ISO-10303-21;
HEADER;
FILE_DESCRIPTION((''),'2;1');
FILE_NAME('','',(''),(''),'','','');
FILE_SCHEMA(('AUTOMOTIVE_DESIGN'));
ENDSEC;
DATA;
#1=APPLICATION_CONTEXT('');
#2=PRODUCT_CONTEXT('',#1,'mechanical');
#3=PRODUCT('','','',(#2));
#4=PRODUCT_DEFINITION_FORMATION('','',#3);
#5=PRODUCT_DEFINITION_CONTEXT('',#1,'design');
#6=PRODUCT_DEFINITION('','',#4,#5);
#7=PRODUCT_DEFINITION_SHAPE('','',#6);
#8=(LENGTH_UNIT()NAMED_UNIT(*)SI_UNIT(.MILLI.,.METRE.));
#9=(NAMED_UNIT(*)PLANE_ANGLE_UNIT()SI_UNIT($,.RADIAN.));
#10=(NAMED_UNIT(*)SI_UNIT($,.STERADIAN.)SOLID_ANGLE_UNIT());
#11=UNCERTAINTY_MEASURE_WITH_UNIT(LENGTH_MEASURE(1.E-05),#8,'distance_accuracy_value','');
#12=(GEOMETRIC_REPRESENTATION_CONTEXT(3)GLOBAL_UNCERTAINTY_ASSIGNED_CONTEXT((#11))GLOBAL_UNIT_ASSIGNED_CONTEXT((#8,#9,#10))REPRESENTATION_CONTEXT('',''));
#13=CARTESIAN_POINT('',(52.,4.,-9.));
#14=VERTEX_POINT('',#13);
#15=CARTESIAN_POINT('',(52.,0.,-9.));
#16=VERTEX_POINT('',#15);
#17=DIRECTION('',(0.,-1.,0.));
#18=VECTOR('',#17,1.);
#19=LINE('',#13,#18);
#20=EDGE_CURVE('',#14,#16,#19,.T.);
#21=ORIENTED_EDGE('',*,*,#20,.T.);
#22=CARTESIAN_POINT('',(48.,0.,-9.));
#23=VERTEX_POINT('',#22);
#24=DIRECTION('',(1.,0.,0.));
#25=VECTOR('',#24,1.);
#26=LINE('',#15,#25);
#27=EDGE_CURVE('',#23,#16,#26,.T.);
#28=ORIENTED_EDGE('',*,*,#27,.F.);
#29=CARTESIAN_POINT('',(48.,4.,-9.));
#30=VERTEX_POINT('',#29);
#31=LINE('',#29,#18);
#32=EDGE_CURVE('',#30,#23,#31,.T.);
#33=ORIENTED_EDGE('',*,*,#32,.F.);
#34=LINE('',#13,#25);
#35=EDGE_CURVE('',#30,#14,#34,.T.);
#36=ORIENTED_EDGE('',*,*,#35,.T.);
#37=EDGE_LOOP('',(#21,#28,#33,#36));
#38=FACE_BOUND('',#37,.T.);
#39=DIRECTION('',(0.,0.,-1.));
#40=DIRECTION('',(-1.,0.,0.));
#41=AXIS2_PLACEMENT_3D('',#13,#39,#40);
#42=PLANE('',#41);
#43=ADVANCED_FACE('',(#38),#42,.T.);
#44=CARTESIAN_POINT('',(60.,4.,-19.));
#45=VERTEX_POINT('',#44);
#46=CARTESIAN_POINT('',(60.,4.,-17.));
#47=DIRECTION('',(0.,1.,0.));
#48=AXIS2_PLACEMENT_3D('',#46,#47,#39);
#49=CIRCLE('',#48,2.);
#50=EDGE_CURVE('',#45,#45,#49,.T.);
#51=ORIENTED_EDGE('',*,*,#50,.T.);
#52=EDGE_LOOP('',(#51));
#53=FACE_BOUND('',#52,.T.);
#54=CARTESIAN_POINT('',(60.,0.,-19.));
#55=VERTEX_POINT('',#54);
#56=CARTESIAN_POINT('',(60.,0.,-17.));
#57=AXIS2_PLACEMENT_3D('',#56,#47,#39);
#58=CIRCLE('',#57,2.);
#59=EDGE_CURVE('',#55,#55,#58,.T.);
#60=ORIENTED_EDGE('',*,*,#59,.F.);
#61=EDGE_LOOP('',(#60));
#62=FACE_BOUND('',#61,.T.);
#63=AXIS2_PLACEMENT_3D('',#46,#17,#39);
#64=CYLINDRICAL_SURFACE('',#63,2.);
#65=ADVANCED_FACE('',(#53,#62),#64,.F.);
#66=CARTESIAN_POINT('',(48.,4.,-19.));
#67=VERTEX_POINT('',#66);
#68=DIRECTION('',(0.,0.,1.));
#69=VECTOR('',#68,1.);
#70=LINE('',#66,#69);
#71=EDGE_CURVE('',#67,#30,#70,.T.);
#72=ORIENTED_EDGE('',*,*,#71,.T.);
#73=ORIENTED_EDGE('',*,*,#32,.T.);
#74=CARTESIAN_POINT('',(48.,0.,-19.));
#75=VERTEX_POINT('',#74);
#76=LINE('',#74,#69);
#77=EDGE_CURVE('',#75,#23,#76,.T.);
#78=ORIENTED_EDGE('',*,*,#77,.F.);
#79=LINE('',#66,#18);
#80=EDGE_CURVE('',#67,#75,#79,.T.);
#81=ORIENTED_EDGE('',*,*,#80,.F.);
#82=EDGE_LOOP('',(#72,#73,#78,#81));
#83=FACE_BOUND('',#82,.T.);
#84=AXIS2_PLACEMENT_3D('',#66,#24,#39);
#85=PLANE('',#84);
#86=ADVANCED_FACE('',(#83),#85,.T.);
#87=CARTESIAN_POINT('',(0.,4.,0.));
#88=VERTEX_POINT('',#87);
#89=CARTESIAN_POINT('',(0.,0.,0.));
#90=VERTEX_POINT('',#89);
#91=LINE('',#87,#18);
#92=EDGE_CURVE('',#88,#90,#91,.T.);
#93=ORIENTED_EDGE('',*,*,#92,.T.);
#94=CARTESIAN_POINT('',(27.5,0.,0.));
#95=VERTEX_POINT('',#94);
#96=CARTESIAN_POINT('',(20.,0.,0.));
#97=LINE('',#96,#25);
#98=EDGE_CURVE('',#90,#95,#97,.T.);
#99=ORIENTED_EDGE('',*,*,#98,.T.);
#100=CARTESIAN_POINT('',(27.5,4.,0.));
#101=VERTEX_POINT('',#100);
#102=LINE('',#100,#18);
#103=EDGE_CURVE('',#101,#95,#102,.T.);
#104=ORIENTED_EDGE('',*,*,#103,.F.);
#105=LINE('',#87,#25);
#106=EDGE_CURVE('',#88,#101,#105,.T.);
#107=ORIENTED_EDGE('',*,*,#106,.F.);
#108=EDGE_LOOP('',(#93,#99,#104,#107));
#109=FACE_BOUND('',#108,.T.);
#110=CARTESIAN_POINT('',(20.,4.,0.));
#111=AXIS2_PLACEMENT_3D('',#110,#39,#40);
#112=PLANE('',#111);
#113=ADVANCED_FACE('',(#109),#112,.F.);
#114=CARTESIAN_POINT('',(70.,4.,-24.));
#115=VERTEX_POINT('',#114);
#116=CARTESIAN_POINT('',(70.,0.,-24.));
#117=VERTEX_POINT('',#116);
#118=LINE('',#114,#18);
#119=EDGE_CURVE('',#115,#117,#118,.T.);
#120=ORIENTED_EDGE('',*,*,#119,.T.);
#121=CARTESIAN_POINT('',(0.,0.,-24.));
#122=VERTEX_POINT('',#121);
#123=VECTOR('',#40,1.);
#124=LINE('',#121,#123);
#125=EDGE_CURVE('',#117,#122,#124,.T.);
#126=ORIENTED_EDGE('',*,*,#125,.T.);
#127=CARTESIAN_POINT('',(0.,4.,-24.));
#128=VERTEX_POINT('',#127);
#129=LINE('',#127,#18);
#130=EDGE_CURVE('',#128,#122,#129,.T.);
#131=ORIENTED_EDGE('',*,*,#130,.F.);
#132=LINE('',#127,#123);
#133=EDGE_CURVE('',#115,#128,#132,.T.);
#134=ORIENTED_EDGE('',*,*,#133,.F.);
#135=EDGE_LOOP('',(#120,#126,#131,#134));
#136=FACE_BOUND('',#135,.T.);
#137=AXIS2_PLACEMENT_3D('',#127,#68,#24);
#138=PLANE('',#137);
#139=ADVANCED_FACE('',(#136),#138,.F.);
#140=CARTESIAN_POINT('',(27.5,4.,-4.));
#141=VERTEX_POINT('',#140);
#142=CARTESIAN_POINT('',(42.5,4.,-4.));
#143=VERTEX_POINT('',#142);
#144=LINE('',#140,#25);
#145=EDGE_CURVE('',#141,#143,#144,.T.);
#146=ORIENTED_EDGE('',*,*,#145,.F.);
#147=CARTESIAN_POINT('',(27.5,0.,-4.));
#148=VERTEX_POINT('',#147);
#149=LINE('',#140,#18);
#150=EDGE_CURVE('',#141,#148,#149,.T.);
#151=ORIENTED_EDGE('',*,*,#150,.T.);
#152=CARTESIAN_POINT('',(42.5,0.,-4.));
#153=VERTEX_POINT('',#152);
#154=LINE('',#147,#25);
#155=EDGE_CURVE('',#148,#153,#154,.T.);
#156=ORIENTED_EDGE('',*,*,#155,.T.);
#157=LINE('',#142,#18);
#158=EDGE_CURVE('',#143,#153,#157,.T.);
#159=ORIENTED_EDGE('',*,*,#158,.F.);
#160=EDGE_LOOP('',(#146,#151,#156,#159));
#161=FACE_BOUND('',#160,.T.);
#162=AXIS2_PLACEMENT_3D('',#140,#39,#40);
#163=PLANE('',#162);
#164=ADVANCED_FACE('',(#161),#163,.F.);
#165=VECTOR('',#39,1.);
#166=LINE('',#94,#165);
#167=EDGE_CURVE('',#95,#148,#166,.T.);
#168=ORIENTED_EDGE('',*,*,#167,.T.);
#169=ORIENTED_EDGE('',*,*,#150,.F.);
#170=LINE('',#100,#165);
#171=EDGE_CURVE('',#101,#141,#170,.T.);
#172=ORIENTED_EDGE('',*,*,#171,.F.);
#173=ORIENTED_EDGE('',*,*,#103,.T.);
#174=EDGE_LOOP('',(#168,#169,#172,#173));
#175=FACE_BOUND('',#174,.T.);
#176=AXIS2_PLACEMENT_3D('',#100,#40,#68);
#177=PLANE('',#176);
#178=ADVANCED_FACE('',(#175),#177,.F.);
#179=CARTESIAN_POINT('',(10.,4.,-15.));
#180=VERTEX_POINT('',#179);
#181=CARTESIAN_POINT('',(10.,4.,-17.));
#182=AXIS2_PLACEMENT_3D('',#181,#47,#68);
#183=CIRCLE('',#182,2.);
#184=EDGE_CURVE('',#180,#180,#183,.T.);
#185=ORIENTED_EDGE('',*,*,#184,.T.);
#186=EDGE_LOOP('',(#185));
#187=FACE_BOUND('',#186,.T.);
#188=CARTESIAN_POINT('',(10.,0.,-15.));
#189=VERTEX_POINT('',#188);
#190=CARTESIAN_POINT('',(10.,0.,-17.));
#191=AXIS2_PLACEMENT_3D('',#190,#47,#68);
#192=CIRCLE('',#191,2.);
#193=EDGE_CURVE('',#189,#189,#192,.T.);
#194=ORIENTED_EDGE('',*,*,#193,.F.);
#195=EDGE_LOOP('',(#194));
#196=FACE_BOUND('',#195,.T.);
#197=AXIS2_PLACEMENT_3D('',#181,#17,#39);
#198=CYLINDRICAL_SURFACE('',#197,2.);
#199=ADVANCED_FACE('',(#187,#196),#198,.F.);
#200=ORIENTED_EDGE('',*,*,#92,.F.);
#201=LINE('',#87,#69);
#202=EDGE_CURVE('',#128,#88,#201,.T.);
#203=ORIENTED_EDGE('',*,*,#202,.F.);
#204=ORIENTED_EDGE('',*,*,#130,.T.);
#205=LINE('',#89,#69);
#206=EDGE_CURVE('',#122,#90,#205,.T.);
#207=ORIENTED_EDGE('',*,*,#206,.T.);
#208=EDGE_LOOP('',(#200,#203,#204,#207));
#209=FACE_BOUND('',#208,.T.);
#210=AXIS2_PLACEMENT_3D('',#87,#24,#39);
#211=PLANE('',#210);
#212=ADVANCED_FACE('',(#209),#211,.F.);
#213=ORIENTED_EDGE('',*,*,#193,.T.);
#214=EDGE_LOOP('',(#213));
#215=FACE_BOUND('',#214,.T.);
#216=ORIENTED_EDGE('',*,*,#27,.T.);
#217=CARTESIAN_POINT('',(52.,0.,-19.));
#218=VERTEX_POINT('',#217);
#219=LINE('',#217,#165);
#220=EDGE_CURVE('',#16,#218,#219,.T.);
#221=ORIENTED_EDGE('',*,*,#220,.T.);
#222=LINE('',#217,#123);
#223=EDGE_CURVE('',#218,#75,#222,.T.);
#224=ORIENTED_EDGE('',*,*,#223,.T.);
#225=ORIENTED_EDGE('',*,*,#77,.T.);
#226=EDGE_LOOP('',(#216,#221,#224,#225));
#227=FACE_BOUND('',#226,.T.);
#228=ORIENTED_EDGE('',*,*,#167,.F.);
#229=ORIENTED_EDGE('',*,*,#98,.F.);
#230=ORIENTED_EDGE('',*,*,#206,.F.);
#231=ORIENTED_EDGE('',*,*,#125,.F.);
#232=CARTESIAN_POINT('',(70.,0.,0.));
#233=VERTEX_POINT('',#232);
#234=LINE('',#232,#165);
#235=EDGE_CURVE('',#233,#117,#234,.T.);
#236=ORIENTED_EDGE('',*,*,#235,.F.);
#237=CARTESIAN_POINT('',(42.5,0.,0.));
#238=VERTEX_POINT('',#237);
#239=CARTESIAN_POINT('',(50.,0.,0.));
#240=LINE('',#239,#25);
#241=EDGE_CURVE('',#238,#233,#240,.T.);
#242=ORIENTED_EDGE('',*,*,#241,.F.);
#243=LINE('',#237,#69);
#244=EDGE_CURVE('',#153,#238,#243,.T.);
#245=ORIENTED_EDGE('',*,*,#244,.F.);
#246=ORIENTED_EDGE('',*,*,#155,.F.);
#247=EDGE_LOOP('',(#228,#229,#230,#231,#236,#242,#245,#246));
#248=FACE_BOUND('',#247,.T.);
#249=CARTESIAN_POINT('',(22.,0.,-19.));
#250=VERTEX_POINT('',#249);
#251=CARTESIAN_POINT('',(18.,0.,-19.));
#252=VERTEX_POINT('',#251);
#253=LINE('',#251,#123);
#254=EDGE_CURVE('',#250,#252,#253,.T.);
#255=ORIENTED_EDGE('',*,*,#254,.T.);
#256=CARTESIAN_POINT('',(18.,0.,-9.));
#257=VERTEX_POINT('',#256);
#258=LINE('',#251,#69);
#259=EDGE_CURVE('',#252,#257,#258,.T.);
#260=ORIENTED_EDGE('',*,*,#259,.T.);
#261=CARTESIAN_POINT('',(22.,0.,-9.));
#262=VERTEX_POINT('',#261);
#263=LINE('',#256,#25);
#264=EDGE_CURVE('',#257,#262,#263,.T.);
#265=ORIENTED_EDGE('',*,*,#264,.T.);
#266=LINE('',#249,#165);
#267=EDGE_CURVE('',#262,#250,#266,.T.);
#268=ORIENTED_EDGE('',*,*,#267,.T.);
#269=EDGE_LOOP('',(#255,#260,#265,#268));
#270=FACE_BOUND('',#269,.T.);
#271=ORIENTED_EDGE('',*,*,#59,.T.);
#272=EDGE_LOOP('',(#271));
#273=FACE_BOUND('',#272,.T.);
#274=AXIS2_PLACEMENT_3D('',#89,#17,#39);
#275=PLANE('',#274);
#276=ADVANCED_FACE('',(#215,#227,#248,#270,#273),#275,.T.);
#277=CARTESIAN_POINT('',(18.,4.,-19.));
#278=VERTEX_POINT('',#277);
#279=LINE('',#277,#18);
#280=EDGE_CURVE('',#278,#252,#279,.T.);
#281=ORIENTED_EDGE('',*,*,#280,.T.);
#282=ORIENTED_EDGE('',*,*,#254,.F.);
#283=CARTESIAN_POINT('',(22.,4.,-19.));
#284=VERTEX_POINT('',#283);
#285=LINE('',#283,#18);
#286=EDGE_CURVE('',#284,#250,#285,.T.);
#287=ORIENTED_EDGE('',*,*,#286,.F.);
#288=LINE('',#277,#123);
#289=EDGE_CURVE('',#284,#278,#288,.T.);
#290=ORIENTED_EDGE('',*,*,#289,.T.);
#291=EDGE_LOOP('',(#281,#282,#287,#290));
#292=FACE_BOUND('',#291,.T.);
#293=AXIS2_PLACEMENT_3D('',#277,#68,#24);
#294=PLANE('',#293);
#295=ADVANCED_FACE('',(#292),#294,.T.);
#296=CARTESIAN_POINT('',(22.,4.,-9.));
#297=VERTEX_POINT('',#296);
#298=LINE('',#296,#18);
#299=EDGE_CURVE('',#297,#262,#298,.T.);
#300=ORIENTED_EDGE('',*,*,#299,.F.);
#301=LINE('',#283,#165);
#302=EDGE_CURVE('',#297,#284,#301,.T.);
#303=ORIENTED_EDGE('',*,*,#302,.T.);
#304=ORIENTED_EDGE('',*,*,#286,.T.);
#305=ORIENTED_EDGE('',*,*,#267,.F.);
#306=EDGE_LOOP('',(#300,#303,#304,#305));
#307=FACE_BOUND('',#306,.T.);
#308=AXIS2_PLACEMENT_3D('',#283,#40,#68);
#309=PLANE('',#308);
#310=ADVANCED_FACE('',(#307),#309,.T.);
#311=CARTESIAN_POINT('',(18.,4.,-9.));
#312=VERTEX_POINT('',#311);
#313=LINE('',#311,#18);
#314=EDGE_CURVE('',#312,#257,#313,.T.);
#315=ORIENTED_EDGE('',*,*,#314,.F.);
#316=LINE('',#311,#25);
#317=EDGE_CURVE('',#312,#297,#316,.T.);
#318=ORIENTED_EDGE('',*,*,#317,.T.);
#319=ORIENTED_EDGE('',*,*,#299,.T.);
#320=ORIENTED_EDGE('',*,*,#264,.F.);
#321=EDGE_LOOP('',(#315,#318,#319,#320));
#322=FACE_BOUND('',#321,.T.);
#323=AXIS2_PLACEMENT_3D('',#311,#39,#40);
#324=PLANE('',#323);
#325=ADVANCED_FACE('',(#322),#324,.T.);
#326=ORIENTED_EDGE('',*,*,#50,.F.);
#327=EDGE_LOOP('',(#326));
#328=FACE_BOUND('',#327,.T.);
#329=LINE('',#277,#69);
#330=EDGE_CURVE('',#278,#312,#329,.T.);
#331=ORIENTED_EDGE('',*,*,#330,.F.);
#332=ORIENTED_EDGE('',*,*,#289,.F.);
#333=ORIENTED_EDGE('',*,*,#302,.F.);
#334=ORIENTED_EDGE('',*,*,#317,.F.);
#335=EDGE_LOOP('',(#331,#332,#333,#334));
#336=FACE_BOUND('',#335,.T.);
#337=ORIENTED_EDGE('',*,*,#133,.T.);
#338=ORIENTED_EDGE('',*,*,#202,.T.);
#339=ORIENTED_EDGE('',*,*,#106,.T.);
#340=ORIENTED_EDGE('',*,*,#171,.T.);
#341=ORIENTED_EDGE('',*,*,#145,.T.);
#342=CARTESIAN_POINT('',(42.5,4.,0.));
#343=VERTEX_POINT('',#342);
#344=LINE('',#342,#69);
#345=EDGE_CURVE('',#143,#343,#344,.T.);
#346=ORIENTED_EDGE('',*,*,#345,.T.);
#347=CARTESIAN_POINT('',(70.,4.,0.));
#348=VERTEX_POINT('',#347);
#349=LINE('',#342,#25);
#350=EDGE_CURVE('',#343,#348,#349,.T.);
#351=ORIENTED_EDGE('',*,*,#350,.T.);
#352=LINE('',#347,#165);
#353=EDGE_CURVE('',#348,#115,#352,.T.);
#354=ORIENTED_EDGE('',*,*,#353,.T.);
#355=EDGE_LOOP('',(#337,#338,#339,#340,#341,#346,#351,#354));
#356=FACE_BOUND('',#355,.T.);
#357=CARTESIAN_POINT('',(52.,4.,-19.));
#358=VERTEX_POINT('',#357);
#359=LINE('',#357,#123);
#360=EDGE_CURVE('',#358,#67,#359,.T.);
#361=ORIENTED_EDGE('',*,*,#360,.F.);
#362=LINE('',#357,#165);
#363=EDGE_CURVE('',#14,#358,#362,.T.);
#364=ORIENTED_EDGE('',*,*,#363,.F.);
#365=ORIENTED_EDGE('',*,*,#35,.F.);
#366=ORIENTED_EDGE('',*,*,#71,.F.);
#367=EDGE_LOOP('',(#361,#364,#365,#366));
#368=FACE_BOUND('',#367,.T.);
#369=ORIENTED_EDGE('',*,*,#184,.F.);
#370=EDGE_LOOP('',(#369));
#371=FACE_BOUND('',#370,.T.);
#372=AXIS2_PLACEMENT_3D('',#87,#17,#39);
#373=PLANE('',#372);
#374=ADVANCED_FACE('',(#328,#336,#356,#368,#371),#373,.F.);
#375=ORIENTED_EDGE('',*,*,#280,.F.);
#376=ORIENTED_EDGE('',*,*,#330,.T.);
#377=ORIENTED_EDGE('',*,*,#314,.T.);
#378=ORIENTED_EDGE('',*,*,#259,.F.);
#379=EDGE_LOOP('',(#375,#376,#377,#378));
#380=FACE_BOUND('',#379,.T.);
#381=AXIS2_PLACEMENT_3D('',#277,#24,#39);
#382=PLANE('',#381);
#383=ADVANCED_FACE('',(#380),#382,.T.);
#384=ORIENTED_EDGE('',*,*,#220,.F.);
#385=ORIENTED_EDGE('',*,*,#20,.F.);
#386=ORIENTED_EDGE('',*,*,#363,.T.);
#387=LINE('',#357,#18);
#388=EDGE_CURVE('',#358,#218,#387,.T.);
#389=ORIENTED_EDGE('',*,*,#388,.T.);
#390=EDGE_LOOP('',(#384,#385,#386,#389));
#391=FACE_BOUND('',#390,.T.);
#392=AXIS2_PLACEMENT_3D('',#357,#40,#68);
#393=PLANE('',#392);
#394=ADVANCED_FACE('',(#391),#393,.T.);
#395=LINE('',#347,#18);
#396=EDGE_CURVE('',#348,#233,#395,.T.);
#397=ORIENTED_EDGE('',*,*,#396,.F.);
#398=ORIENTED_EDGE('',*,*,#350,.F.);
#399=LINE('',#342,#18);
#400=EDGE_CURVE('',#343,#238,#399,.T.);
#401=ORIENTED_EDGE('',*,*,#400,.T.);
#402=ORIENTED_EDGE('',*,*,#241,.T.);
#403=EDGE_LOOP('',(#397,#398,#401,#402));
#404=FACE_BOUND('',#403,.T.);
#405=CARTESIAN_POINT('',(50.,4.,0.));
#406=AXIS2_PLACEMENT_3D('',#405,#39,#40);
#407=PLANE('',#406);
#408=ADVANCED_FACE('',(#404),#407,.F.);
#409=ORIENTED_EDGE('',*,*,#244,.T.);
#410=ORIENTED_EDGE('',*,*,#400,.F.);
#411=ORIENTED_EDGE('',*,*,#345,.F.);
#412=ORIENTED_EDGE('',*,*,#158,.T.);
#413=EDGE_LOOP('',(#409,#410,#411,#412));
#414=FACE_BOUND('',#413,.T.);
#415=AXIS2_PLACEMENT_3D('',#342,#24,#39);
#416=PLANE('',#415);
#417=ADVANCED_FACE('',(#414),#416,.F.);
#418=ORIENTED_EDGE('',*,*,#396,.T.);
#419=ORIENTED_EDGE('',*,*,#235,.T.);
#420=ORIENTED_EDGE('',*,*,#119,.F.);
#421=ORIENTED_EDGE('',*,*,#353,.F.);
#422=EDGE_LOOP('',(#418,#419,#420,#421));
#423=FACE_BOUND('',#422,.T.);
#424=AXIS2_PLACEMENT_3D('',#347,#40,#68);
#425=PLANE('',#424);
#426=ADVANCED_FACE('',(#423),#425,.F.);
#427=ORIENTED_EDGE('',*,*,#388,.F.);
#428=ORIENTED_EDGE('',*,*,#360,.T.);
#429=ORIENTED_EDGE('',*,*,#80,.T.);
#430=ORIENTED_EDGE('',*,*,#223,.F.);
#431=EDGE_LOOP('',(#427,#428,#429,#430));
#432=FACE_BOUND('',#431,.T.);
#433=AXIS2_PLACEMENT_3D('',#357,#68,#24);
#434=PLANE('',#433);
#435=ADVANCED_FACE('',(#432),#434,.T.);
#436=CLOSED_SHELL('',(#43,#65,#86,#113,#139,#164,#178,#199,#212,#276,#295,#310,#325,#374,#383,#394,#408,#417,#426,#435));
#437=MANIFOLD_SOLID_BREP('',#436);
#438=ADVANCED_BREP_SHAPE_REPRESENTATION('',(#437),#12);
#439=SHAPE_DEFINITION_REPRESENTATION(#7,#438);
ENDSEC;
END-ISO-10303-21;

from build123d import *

# Parameters (mm, degrees)
SKETCH1_R           = 2
SKETCH1_W           = 4
SKETCH1_H           = 10
BOSS_EXTRUDE1_DEPTH = 4


with BuildPart() as part:
    # Sketch1 → Boss-Extrude1 (new body)
    with BuildSketch(Plane(origin=(0, 0, 0), x_dir=(1, 0, 0), z_dir=(0, 1, 0))):
        Polygon((0, 0), (20, 0), (27.5, 0), (27.5, 4), (42.5, 4), (42.5, 0), (50, 0), (70, 0), (70, 24), (0, 24), align=None)
        with Locations(Location((10, 17, 0), (0, 0, 270))):
            Circle(SKETCH1_R, mode=Mode.SUBTRACT)
        with Locations(Location((60, 17, 0), (0, 0, 90))):
            Circle(SKETCH1_R, mode=Mode.SUBTRACT)
        with Locations((20, 14)):
            Rectangle(SKETCH1_W, SKETCH1_H, mode=Mode.SUBTRACT)
        with Locations((50, 14)):
            Rectangle(SKETCH1_W, SKETCH1_H, mode=Mode.SUBTRACT)
    extrude(amount=BOSS_EXTRUDE1_DEPTH)


solid = part.part
